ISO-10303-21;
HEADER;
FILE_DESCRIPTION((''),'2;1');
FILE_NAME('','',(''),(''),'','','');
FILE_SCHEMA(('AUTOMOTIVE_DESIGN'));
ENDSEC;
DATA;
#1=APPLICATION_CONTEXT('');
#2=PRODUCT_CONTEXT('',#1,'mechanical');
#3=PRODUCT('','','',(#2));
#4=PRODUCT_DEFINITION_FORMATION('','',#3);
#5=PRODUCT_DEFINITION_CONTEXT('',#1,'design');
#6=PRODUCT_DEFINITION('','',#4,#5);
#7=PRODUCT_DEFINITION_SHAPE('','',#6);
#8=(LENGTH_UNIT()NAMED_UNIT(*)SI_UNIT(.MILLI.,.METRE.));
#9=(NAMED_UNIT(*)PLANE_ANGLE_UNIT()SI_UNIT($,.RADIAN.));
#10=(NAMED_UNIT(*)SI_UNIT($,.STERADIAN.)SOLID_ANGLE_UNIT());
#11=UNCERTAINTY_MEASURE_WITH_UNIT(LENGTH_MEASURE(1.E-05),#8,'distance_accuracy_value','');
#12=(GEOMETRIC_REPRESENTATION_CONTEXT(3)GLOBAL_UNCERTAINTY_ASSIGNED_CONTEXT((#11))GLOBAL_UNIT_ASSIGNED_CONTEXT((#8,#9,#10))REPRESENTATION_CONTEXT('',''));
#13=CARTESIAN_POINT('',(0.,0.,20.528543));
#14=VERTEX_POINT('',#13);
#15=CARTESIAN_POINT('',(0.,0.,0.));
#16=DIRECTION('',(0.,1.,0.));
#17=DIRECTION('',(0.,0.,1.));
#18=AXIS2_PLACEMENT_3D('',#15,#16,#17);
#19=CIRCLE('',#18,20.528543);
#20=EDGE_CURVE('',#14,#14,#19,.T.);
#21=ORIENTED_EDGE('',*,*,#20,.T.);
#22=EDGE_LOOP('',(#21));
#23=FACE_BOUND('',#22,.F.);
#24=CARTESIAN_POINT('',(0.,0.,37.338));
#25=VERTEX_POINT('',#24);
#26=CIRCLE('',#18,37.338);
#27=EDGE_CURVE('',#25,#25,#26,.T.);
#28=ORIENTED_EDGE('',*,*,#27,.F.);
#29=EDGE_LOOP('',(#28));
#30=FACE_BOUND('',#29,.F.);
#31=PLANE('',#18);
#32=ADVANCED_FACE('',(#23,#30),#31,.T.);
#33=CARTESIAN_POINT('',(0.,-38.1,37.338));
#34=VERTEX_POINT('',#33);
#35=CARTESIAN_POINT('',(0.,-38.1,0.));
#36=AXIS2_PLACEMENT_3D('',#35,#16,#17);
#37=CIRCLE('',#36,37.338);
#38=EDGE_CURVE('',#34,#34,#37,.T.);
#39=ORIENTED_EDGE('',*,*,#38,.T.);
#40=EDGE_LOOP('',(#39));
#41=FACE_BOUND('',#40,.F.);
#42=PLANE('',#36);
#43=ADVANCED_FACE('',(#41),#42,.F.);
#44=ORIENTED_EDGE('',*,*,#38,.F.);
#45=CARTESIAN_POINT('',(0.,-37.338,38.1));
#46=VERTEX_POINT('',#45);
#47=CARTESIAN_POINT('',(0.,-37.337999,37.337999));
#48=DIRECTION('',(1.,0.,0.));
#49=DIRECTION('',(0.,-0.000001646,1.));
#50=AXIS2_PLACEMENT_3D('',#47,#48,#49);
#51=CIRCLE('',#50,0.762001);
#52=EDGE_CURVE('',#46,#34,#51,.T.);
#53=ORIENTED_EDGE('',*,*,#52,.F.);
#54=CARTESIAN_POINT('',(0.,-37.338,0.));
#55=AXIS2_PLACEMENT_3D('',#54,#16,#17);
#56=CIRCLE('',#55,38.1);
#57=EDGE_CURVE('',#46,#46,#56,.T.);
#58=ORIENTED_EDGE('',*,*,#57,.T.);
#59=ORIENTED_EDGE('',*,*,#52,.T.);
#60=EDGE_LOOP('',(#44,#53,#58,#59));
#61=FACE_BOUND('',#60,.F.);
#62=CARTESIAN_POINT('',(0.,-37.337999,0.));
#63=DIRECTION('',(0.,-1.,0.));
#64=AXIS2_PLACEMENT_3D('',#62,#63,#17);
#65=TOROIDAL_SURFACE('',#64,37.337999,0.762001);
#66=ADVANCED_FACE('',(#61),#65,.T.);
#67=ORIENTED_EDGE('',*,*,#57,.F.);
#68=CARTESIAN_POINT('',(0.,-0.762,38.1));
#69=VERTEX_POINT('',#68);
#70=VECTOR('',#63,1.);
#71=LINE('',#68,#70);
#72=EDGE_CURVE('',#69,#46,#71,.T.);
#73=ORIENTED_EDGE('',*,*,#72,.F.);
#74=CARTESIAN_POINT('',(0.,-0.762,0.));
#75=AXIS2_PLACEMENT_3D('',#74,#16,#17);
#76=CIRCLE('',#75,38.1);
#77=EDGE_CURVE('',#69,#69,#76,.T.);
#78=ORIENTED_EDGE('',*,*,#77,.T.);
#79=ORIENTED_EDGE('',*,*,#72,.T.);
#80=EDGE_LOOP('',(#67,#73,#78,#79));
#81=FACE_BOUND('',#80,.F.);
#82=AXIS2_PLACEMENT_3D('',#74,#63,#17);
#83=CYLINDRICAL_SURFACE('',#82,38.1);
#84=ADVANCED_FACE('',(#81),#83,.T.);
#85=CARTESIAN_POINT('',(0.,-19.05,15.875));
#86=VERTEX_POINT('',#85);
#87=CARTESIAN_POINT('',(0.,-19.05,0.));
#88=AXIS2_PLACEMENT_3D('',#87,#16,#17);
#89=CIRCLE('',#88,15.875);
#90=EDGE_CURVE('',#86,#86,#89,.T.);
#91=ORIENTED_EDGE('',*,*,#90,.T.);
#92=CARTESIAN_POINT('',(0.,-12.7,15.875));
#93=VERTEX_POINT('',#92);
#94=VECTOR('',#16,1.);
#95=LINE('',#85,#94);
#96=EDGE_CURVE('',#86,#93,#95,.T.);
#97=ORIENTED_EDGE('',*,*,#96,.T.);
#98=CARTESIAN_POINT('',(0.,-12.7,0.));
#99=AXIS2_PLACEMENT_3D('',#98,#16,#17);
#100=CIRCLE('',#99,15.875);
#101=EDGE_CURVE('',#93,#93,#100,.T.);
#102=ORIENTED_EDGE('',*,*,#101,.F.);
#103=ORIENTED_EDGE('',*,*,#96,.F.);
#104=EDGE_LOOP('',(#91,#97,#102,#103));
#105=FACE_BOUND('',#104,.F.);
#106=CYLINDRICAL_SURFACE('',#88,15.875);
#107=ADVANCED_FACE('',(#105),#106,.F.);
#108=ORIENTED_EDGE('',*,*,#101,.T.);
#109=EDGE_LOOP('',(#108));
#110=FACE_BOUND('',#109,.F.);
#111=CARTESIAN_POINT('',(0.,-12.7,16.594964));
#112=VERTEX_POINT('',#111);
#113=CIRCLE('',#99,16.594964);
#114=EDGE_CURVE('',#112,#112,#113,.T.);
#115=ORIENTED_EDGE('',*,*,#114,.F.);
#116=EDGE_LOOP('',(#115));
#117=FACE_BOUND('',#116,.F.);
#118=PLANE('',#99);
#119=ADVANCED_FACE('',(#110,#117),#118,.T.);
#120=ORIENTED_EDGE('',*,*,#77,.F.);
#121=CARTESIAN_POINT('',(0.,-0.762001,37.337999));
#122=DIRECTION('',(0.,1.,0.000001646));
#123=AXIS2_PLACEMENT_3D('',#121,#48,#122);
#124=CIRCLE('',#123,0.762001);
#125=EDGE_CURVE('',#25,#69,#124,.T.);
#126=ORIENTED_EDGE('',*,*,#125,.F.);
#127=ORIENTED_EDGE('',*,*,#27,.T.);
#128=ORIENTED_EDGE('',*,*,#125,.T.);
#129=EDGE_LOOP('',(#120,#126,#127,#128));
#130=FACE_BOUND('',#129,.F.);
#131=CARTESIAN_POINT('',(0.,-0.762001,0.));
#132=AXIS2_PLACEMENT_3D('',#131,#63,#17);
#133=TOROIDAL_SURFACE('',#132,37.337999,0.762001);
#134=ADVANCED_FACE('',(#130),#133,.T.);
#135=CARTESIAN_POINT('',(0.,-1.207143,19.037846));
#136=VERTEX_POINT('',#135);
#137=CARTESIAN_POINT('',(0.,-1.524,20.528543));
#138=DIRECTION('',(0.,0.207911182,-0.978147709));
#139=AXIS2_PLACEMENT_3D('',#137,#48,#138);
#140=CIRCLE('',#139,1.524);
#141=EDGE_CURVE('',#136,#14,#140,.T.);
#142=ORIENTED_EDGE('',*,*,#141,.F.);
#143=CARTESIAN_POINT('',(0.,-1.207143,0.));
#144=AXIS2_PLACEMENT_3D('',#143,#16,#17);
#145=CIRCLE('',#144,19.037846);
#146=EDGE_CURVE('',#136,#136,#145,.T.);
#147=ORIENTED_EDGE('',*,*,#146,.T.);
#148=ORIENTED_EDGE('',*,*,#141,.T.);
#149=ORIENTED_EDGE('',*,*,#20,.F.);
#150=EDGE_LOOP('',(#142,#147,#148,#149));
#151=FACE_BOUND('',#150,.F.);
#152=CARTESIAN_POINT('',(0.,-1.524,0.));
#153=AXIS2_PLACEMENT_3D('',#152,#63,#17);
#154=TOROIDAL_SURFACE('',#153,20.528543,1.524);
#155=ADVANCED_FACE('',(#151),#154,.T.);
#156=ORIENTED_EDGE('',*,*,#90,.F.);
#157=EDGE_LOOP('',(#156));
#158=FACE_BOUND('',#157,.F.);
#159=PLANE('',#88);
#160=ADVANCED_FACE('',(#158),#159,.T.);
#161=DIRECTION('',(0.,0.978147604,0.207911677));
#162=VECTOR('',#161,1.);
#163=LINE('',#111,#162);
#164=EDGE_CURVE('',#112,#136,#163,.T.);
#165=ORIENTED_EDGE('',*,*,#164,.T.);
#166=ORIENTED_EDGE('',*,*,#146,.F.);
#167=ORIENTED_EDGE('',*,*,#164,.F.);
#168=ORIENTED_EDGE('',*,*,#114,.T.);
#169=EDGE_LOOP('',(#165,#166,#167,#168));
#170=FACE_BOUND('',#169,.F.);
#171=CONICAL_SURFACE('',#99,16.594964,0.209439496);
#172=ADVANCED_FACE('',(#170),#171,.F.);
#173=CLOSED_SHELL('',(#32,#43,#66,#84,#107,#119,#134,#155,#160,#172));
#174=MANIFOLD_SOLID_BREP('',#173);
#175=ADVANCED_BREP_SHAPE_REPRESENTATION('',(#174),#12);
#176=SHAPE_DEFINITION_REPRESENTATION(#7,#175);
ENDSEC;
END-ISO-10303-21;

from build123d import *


with BuildPart() as f1:
    # F0 (on Right) → F1 (revolve)
    with BuildSketch(Plane.YZ):
        with BuildLine():
            Line((-12.7, 15.875), (-12.7, 16.594964))
            Line((-12.7, 16.594964), (-1.207143, 19.037846))
            ThreePointArc((-1.207143, 19.037846), (-0.33963, 19.569458), (0, 20.528543))
            Line((0, 20.528543), (0, 37.338))
            ThreePointArc((0, 37.338), (-0.223185, 37.876815), (-0.762, 38.1))
            Line((-0.762, 38.1), (-37.338, 38.1))
            ThreePointArc((-37.338, 38.1), (-37.876815, 37.876815), (-38.1, 37.338))
            Line((-38.1, 37.338), (-38.1, 0))
            Line((-38.1, 0), (-19.05, 0))
            Line((-19.05, 0), (-19.05, 15.875))
            Line((-19.05, 15.875), (-12.7, 15.875))
        make_face()
    revolve(axis=Axis((0, -28.575, 0), (0, 1, 0)))


solid = f1.part
